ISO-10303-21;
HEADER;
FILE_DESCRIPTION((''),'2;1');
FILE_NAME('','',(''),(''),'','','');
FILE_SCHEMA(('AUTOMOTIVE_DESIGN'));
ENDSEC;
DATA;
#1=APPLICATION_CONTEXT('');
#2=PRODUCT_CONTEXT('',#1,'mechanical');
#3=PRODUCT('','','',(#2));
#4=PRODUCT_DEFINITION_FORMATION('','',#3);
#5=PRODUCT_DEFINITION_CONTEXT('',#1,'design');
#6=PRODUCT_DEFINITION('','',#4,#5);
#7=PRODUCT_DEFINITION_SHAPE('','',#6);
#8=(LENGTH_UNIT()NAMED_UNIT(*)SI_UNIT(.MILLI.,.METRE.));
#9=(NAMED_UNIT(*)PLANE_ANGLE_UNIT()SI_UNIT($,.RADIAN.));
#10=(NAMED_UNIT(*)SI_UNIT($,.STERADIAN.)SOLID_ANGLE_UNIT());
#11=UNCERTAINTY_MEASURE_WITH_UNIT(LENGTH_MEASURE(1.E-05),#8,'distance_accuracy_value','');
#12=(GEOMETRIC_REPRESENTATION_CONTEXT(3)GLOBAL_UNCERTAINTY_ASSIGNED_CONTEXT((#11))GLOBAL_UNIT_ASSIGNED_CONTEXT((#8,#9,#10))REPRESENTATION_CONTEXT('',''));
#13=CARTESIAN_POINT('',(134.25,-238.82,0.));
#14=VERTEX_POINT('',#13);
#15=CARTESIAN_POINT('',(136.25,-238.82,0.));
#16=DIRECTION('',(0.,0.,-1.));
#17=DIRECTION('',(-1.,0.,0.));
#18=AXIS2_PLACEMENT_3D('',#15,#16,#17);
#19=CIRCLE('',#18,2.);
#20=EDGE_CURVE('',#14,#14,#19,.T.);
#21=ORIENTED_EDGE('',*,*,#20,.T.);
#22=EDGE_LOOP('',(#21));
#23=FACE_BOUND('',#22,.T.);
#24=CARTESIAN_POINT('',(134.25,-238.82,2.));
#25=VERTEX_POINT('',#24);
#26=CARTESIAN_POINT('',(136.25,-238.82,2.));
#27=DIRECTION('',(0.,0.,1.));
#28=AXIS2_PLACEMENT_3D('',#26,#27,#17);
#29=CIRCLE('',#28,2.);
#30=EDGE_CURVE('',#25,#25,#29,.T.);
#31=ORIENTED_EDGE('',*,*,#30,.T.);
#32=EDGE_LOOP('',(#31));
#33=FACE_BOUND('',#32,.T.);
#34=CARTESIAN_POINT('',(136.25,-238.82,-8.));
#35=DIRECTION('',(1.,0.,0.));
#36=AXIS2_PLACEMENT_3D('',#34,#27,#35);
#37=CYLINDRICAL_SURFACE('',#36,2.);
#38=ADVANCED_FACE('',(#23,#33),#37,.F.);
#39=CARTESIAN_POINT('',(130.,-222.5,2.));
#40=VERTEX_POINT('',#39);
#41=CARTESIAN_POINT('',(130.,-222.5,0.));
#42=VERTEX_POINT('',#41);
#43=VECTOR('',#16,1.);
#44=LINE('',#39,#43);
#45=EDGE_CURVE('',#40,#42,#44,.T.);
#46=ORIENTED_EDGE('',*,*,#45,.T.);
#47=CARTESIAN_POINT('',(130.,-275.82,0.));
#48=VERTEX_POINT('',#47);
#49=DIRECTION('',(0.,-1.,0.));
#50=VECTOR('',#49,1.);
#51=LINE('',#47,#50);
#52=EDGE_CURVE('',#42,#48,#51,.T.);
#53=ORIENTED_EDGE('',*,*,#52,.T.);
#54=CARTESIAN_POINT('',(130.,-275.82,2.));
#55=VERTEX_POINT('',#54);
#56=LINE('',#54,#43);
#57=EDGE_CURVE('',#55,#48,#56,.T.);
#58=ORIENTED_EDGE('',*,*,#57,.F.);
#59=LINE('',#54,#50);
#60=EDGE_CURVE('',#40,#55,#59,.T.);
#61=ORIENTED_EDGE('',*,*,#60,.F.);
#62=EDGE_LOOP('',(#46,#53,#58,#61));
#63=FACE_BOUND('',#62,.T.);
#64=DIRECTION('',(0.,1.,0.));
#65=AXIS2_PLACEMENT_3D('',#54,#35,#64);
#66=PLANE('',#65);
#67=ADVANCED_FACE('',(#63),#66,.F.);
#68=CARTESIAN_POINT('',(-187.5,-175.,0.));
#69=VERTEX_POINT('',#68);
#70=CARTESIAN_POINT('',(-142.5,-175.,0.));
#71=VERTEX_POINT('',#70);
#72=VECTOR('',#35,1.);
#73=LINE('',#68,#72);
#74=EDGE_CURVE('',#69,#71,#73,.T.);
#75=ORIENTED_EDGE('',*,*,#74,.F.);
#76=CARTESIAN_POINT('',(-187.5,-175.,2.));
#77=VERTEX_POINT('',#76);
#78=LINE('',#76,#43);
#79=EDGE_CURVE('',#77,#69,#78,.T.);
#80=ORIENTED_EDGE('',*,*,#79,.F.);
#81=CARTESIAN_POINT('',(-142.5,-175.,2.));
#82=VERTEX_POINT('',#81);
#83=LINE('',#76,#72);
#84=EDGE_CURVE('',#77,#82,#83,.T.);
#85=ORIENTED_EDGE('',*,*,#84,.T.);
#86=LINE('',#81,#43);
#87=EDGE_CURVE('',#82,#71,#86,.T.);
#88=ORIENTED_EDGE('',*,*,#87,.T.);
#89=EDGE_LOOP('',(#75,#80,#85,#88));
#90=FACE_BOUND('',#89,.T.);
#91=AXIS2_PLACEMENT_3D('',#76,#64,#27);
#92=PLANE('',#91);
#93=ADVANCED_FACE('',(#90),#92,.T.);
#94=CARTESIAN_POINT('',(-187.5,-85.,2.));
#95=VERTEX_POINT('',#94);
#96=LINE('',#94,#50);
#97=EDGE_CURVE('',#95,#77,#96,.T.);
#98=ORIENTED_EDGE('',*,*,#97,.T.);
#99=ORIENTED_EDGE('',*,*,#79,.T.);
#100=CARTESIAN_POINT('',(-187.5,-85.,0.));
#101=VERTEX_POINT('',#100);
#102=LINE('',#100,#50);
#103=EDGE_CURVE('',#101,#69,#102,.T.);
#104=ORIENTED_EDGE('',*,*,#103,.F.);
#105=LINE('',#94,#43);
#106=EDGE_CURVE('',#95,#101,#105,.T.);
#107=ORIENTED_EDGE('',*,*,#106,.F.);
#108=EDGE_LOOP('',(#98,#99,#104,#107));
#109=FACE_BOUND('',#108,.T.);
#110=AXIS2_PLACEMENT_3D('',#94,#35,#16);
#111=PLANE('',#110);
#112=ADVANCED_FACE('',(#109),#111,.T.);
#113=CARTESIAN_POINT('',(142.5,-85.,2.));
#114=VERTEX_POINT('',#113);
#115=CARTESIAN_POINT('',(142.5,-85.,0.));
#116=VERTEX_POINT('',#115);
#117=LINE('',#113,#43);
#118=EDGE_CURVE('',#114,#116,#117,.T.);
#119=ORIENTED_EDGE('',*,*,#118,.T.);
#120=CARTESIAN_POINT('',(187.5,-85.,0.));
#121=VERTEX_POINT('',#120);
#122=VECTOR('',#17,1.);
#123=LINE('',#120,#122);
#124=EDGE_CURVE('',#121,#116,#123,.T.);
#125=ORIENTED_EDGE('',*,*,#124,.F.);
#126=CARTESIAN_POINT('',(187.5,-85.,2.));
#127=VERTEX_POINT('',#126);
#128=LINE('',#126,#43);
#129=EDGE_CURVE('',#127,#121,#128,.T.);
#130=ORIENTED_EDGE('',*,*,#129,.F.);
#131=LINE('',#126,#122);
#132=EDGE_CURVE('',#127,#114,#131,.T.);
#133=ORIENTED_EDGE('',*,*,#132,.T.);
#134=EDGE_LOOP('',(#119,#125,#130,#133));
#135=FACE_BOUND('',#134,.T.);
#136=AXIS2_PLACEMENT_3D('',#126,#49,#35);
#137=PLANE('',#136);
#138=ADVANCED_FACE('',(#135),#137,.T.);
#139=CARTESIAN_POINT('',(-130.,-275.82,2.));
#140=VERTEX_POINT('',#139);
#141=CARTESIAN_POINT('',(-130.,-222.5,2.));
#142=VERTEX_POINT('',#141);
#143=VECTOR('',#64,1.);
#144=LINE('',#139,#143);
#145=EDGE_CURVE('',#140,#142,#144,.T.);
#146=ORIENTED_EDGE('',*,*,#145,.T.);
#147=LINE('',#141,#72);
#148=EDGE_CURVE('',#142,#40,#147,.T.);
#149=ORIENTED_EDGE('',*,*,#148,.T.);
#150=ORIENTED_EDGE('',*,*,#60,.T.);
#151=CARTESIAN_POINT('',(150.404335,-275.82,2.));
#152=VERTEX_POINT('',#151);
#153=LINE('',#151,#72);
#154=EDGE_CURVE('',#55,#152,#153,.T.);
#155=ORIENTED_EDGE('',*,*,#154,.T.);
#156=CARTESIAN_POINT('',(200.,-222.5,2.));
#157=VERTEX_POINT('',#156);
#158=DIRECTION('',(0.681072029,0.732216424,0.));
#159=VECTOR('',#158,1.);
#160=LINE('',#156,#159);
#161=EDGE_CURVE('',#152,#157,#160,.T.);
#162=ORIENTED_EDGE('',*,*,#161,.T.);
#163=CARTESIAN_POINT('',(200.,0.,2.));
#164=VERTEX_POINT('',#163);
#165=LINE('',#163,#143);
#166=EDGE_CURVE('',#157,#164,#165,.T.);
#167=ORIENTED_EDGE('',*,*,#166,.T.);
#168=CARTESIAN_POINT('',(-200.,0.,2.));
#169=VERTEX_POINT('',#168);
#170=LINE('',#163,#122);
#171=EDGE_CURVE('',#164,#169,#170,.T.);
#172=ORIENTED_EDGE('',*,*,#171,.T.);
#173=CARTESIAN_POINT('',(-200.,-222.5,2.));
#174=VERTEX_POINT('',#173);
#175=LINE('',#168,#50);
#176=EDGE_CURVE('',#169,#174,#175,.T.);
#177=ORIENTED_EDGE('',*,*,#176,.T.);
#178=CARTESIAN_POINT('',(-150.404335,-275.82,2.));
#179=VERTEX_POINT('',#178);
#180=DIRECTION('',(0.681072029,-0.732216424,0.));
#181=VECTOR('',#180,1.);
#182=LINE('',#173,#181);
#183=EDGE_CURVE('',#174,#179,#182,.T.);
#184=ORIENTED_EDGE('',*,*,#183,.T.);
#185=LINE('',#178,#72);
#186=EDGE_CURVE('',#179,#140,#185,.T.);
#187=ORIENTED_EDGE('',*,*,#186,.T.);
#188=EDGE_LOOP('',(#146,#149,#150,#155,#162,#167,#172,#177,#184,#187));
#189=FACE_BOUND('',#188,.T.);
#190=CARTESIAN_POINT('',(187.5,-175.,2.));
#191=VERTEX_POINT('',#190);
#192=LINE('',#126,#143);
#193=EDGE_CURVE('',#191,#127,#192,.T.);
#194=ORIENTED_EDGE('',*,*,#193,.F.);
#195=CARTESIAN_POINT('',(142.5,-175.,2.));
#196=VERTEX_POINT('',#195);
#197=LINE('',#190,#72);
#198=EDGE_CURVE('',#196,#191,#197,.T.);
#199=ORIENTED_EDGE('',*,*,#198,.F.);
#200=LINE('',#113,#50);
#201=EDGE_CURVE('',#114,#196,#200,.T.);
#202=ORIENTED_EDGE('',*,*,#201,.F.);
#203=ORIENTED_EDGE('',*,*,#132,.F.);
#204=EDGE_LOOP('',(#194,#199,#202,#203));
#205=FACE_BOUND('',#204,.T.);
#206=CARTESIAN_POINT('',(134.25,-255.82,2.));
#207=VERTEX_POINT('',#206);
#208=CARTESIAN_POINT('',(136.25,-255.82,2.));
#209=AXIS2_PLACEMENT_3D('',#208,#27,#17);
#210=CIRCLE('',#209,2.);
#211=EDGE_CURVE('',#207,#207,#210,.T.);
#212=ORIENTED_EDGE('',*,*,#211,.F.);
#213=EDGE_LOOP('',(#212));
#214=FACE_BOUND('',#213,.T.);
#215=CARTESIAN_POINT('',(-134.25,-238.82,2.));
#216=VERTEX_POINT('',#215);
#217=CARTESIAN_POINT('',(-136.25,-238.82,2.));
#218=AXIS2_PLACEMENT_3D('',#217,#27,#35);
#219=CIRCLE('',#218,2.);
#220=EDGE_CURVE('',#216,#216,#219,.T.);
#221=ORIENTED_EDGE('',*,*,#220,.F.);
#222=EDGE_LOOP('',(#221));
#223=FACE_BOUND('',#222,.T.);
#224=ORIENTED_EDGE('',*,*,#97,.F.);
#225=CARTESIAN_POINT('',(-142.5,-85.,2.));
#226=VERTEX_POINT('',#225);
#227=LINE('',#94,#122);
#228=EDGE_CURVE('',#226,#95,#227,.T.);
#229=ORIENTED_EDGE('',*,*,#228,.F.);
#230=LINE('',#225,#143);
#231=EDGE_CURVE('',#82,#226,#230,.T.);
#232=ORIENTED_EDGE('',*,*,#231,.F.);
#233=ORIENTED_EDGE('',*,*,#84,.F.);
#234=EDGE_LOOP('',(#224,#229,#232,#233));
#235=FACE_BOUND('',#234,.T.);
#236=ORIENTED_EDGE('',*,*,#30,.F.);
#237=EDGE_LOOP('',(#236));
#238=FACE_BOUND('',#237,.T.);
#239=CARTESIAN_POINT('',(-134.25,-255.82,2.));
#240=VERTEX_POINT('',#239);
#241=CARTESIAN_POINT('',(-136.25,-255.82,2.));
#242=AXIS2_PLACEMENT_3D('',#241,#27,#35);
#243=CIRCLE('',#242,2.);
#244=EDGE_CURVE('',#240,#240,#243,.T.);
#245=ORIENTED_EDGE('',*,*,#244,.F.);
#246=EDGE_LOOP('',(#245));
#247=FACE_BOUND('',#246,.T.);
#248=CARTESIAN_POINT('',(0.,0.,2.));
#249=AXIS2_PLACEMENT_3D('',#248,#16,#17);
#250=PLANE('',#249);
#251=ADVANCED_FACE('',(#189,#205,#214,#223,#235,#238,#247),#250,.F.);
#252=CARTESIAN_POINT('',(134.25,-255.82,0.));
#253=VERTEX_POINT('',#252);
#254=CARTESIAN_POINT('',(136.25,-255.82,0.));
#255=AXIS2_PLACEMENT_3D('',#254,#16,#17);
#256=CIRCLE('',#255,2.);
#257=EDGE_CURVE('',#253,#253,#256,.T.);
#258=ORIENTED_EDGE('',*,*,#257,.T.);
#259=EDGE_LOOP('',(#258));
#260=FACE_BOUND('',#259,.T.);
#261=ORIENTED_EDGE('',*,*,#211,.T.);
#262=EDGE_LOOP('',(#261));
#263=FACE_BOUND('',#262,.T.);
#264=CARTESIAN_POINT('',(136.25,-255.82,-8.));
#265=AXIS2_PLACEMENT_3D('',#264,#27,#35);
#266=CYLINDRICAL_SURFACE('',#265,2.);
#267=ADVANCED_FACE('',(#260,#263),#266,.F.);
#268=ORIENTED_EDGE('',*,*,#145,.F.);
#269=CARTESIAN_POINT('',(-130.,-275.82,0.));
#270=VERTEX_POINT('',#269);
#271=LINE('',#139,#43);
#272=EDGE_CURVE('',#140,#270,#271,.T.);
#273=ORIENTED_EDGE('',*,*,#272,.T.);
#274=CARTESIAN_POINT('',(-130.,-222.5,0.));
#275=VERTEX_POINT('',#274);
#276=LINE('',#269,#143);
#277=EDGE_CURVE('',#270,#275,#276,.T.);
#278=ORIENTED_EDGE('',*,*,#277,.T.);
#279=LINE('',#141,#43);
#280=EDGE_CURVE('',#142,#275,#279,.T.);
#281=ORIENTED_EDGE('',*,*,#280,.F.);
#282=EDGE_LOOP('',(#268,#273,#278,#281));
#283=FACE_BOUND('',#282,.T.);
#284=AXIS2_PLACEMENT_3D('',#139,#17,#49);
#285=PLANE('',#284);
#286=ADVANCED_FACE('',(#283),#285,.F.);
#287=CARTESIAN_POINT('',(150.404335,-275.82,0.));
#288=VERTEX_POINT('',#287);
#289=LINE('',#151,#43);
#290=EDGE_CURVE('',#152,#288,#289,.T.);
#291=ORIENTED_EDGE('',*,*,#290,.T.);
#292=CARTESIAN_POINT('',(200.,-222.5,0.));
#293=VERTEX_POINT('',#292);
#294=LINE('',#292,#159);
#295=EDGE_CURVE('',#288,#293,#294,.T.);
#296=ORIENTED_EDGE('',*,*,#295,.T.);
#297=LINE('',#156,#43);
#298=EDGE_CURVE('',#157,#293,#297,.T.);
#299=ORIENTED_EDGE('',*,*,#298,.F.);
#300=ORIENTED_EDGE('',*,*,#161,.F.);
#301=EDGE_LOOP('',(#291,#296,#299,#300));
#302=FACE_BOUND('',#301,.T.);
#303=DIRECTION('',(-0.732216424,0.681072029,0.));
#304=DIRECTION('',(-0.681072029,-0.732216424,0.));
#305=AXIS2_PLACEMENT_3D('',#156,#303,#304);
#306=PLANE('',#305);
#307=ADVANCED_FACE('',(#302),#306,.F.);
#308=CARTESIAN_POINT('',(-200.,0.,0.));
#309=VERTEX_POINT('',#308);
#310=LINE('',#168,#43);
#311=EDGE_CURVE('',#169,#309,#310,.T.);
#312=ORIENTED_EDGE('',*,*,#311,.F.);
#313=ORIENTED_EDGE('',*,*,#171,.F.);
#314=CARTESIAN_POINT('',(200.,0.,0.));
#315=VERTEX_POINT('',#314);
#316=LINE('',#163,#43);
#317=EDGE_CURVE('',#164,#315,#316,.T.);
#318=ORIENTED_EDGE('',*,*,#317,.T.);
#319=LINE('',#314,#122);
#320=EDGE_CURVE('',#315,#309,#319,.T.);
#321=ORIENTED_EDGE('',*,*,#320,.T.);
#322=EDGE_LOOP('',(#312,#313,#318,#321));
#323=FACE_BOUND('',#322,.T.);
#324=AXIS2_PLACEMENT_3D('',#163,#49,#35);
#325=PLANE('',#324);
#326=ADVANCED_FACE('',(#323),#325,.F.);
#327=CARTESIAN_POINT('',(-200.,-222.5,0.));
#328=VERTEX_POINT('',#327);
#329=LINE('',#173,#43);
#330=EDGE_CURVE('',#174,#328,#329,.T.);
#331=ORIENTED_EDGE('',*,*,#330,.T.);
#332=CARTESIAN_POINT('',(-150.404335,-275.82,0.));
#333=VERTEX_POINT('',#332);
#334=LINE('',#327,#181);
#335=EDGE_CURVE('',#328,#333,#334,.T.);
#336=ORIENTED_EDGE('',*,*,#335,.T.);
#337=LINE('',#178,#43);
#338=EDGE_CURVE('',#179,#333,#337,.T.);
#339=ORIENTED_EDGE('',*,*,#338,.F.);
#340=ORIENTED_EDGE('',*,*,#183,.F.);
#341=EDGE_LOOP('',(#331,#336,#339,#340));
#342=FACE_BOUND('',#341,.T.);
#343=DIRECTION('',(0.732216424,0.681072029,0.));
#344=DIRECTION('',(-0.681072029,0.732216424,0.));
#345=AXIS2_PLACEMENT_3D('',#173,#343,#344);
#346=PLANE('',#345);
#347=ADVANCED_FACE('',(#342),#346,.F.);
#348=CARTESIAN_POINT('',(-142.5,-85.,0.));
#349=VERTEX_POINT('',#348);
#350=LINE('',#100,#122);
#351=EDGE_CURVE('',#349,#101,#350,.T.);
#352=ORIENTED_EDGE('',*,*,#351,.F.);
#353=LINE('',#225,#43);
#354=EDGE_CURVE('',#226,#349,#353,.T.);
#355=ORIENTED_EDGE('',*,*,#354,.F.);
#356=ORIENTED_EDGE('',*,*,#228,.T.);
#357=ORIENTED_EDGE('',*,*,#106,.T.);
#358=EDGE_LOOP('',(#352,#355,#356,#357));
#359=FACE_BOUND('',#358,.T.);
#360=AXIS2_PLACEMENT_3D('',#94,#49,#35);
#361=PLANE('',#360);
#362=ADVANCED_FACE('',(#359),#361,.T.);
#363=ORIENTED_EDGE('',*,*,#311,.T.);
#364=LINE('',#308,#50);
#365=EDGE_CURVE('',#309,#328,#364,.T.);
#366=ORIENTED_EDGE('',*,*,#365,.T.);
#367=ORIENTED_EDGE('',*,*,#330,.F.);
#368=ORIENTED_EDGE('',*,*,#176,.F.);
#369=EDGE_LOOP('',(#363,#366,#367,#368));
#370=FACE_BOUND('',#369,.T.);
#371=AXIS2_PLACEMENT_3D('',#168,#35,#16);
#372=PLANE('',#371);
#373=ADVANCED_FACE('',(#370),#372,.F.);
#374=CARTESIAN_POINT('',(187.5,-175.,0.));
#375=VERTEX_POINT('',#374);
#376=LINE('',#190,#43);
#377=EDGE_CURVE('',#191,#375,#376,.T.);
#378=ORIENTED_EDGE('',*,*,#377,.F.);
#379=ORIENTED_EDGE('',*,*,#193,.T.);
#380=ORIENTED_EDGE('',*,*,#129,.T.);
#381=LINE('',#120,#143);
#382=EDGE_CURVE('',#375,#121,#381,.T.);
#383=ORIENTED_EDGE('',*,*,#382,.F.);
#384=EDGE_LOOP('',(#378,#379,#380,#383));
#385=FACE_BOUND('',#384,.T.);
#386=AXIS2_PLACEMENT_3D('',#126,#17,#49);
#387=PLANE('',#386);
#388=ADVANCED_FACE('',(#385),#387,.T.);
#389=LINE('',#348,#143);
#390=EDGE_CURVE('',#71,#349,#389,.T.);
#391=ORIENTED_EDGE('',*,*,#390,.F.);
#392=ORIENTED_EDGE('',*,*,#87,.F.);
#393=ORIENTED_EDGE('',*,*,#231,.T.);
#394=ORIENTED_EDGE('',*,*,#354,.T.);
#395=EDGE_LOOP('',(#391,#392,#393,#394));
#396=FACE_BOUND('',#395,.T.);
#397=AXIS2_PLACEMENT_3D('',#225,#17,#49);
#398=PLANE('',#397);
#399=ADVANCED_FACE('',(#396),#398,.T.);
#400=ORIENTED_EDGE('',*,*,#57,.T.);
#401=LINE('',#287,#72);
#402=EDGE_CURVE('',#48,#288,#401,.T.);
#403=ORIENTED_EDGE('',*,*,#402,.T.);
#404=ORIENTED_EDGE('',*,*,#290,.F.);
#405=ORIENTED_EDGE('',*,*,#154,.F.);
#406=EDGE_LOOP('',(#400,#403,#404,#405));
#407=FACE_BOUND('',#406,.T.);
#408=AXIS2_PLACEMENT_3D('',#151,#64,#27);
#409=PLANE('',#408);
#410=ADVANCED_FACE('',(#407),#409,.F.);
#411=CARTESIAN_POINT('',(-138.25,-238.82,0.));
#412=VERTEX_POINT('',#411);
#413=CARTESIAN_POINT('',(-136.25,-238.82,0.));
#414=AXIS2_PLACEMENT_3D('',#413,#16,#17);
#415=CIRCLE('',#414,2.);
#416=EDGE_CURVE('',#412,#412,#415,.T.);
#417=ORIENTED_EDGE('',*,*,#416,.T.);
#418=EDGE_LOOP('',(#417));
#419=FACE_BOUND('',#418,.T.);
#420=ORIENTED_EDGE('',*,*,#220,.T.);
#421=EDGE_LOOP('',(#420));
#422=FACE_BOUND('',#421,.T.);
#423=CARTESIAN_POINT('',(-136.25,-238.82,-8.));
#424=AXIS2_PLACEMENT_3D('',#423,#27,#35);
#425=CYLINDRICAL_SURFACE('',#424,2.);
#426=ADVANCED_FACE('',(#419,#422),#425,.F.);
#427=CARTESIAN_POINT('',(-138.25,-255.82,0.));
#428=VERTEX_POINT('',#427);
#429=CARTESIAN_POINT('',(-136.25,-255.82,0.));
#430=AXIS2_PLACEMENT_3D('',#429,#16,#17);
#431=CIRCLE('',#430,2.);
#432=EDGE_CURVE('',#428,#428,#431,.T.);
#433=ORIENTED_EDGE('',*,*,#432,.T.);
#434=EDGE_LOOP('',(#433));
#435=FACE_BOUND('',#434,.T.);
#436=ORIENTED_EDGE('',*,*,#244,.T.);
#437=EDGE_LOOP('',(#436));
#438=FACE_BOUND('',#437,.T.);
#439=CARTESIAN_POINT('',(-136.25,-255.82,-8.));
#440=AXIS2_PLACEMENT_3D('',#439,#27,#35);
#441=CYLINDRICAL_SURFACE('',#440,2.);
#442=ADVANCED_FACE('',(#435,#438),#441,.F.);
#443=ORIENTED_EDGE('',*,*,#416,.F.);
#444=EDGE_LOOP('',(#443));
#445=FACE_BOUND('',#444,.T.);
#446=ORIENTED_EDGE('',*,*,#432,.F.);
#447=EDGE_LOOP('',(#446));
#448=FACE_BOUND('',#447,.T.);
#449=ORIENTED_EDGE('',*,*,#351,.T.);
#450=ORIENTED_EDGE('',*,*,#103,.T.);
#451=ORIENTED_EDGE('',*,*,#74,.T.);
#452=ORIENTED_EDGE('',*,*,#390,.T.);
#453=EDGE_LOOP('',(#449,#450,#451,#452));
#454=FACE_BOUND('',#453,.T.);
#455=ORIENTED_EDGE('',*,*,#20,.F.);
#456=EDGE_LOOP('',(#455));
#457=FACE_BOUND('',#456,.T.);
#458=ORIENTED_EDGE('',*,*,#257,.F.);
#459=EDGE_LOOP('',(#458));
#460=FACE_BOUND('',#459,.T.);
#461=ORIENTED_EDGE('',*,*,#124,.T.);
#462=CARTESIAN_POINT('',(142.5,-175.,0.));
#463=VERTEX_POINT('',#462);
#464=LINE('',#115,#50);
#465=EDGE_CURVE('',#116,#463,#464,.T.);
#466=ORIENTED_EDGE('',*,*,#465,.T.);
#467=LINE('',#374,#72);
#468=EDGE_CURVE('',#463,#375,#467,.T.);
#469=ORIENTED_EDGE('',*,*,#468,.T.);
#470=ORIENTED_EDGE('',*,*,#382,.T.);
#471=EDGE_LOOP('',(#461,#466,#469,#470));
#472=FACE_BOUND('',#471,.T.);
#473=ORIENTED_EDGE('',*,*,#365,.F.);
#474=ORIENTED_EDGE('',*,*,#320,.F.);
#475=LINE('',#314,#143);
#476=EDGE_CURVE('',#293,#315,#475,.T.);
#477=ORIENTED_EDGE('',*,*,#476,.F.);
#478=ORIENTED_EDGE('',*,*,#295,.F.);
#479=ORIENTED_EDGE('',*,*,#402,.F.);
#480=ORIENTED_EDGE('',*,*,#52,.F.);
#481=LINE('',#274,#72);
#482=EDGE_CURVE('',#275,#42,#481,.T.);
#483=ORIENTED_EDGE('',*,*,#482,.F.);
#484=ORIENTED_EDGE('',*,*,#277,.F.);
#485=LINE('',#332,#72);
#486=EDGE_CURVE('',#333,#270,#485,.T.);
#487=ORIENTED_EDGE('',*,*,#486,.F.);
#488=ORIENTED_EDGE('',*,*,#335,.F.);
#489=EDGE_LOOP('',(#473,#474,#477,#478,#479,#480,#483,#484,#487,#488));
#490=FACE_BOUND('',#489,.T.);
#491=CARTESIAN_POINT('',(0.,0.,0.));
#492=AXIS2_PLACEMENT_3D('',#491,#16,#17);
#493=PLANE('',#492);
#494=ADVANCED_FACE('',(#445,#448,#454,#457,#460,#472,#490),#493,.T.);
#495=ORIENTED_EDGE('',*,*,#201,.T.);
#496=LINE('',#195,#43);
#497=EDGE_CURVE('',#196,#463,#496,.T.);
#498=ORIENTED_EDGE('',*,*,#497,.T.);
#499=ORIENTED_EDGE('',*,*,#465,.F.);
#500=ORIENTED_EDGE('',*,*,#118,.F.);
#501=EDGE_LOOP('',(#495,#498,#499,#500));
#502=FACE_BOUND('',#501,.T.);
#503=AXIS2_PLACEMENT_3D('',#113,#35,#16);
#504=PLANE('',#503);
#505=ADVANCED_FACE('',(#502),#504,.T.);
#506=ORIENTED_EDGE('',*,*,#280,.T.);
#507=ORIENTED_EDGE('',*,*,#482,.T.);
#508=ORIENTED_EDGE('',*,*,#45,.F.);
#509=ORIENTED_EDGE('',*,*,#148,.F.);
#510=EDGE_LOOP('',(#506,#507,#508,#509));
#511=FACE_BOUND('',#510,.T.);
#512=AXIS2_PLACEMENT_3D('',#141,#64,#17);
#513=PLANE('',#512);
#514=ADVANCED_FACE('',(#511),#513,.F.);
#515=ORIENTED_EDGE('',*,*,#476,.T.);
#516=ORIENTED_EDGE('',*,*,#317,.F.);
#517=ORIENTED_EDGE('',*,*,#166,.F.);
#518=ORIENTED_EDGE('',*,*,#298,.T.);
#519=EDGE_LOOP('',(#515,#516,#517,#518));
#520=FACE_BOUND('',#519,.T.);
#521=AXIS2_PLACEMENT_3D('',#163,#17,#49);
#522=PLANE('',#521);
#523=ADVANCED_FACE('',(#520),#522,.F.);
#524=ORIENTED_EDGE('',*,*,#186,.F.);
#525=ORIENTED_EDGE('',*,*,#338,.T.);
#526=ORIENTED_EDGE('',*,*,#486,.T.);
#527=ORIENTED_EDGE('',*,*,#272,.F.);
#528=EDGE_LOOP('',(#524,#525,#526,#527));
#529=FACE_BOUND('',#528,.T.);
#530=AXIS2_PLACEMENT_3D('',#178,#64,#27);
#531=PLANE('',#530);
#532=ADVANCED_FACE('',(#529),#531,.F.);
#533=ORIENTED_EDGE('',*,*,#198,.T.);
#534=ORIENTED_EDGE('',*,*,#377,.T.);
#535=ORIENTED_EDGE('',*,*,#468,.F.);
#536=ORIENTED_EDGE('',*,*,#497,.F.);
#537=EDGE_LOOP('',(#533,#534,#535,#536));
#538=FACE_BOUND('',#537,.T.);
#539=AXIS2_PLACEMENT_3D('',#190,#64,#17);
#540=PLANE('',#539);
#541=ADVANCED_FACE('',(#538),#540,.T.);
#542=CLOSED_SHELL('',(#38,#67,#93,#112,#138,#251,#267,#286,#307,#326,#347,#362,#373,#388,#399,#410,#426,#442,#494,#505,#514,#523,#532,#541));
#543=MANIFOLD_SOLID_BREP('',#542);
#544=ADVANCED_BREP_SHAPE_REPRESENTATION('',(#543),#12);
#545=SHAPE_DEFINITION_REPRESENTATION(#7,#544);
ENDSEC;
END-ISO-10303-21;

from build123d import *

# Parameters (mm, degrees)
SKETCH1_W           = 45
SKETCH1_H           = 90
BOSS_EXTRUDE1_DEPTH = 2
SKETCH2_R           = 2
CUT_EXTRUDE1_DEPTH  = 10


with BuildPart() as part:
    # Sketch1 → Boss-Extrude1 (new body)
    with BuildSketch(Plane.XY):
        Polygon((200, 0), (-200, 0), (-200, -222.5), (-150.404334867, -275.82), (-130, -275.82), (-130, -222.5), (130, -222.5), (130, -275.82), (150.404334867, -275.82), (200, -222.5), align=None)
        with Locations((-165, -130)):
            Rectangle(SKETCH1_W, SKETCH1_H, mode=Mode.SUBTRACT)
        with Locations((165, -130)):
            Rectangle(SKETCH1_W, SKETCH1_H, mode=Mode.SUBTRACT)
    extrude(amount=BOSS_EXTRUDE1_DEPTH)

    # Sketch2 → Cut-Extrude1 (cut)
    with BuildSketch(Plane.XY.offset(2)):
        with Locations((-136.25, -238.82)):
            Circle(SKETCH2_R)
        with Locations((-136.25, -255.82)):
            Circle(SKETCH2_R)
        with Locations((136.25, -255.82)):
            Circle(SKETCH2_R)
        with Locations((136.25, -238.82)):
            Circle(SKETCH2_R)
    extrude(amount=-CUT_EXTRUDE1_DEPTH, mode=Mode.SUBTRACT)


solid = part.part
